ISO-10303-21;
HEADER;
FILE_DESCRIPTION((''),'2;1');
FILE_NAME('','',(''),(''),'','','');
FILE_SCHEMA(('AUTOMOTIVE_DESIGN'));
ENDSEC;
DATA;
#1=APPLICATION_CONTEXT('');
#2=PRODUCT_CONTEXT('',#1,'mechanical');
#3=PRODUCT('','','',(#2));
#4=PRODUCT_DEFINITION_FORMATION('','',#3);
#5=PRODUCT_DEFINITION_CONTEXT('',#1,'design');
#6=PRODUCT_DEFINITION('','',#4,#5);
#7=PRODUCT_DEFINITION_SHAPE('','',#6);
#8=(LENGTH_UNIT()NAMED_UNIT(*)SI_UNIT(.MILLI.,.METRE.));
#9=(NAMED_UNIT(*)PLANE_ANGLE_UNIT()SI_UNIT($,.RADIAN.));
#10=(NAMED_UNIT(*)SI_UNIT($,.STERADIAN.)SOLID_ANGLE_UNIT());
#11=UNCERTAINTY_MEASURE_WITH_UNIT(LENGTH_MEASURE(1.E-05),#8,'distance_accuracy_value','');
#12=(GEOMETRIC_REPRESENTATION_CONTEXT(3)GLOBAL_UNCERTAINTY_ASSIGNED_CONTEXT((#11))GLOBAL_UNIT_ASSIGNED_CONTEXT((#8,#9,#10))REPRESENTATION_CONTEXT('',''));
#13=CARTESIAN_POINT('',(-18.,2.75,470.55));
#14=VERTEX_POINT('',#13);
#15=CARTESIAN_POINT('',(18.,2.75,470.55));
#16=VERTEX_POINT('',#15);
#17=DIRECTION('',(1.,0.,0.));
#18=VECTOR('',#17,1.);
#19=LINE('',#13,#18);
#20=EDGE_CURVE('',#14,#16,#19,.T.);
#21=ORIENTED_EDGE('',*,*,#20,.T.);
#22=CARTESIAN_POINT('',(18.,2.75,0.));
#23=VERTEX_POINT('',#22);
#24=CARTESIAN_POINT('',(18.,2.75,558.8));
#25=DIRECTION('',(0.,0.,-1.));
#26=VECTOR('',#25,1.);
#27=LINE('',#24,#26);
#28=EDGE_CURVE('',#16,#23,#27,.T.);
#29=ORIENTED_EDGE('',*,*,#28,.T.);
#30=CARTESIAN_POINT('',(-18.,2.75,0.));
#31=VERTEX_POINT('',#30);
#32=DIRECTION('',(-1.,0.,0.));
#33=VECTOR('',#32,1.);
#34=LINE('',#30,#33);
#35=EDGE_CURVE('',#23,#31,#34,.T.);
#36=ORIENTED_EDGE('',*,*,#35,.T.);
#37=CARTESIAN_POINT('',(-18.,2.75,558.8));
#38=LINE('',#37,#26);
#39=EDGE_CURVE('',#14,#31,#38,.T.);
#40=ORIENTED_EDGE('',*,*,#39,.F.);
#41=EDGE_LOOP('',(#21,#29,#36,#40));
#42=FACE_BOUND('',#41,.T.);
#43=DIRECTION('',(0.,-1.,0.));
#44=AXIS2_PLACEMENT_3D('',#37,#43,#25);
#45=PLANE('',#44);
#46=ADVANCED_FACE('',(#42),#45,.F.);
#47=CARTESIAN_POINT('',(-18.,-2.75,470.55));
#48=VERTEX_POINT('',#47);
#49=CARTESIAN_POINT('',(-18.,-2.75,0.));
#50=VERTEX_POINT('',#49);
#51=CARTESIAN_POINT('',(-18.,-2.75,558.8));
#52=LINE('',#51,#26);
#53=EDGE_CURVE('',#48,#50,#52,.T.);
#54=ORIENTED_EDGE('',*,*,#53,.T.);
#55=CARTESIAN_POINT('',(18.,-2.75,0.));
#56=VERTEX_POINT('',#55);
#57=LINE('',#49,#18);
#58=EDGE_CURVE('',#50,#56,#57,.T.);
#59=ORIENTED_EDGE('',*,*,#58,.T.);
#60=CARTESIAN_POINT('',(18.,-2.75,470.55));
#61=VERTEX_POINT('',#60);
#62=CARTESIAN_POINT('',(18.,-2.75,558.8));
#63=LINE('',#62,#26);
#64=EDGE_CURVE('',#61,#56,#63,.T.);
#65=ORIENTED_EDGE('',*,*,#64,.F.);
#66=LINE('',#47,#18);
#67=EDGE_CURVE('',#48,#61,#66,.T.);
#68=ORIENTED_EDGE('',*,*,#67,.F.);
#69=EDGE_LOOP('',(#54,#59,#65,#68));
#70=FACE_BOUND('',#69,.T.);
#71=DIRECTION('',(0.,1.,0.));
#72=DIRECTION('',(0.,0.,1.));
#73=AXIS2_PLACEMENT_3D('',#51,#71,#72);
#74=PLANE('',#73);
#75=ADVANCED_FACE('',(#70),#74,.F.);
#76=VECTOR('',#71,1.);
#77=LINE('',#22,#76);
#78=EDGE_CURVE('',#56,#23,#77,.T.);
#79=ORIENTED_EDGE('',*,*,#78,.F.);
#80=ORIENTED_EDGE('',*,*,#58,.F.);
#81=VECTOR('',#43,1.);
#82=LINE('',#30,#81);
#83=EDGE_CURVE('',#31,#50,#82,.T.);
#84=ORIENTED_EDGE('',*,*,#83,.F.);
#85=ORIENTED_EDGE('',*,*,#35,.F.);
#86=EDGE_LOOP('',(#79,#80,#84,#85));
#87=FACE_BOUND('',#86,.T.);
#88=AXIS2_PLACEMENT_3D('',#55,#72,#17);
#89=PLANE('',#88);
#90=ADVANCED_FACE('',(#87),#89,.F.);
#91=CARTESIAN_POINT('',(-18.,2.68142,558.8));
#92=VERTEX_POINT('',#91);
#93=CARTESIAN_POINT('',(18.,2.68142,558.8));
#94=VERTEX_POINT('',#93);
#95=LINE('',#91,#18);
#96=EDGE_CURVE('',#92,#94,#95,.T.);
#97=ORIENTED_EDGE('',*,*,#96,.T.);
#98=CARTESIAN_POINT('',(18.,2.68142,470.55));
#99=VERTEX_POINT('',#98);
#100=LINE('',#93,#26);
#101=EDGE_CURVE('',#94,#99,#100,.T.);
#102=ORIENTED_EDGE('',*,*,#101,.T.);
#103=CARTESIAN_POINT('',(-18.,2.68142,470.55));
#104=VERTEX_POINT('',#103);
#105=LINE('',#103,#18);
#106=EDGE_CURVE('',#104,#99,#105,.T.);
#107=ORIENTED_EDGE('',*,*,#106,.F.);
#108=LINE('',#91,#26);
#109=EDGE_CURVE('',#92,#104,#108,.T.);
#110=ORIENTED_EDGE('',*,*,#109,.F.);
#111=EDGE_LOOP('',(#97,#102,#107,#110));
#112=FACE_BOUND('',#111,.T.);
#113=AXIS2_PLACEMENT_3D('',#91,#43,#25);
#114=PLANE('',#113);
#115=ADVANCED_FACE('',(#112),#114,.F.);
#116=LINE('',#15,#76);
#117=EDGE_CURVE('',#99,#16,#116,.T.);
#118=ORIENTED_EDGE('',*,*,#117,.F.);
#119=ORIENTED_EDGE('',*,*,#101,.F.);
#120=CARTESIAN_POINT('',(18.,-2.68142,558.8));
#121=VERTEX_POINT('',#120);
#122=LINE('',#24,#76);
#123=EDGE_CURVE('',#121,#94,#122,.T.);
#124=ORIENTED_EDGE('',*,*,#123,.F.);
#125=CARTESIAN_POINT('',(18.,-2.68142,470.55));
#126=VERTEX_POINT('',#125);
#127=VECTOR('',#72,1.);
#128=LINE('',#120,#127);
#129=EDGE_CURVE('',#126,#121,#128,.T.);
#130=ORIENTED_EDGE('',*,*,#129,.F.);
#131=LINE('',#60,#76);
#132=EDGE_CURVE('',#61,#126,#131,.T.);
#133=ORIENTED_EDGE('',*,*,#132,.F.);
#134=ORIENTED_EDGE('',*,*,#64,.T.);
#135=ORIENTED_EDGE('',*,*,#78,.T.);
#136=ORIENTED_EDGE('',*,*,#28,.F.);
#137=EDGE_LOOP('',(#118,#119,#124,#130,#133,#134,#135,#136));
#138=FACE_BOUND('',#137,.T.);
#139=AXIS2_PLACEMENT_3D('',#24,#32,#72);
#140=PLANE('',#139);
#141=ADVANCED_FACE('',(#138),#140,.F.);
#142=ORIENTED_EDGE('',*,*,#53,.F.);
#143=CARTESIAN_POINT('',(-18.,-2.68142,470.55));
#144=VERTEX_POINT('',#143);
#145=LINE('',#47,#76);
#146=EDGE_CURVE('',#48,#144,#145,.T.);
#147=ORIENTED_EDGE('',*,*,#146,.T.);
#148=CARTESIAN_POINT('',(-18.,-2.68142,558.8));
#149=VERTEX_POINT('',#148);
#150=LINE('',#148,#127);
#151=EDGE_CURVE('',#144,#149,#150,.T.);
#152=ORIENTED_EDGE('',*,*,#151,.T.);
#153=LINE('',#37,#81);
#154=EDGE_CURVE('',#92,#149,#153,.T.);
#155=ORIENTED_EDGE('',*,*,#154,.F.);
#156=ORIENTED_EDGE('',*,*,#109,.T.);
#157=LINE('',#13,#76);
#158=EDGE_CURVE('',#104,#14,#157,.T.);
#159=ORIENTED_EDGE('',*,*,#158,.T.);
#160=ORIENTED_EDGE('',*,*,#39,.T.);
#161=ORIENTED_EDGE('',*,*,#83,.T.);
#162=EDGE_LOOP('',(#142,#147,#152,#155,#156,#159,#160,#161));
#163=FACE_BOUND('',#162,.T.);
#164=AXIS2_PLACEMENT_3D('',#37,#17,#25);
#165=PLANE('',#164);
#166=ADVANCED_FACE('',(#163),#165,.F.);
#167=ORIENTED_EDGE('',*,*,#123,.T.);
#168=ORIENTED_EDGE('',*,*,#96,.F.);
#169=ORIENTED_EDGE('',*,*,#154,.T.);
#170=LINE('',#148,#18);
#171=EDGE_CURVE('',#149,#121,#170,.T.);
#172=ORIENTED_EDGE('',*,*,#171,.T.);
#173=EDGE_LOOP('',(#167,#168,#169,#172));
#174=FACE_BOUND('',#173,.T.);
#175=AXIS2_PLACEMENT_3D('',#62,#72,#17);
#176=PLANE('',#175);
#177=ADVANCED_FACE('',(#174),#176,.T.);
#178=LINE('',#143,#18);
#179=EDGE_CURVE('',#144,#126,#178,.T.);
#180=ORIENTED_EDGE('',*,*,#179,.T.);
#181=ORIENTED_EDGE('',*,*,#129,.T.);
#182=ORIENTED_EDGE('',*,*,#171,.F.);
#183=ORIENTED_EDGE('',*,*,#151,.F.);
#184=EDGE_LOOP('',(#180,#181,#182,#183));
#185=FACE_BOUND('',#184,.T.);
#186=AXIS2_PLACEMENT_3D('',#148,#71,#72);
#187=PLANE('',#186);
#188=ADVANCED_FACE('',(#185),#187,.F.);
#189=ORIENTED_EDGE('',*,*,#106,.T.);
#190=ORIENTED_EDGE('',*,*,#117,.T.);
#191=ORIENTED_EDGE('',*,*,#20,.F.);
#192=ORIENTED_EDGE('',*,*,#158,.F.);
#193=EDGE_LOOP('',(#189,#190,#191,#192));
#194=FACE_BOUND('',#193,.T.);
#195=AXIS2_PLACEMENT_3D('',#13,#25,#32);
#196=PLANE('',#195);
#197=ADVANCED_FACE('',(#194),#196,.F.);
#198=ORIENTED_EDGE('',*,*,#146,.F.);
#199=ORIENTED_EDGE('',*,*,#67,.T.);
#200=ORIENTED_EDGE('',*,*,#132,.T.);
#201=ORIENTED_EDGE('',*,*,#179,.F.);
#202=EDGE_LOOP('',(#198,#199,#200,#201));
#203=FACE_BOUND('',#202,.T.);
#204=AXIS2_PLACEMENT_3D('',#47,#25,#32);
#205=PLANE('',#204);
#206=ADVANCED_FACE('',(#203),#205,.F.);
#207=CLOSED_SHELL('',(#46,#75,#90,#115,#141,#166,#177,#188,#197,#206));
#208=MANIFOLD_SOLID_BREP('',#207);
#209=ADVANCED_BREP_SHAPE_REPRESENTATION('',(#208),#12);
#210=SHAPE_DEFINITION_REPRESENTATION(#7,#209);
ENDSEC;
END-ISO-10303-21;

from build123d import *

# Parameters (mm, degrees)
SKETCH2_W           = 36
SKETCH2_H           = 5.5
BOSS_EXTRUDE1_DEPTH = 558.8
SKETCH3_W           = 88.25
SKETCH3_H           = 0.06858
CUT_EXTRUDE1_DEPTH  = 37


with BuildPart() as part:
    # Sketch2 → Boss-Extrude1 (new body)
    with BuildSketch(Plane.XY):
        Rectangle(SKETCH2_W, SKETCH2_H)
    extrude(amount=BOSS_EXTRUDE1_DEPTH)

    # Sketch3 → Cut-Extrude1 (cut, through all)
    with BuildSketch(Plane(origin=(18, 0, 0), x_dir=(0, 0, -1), z_dir=(1, 0, 0))):
        with Locations((-514.675, -2.71571)):
            Rectangle(SKETCH3_W, SKETCH3_H)
        with Locations((-514.675, 2.71571)):
            Rectangle(SKETCH3_W, SKETCH3_H)
    extrude(amount=-CUT_EXTRUDE1_DEPTH, mode=Mode.SUBTRACT)


solid = part.part
